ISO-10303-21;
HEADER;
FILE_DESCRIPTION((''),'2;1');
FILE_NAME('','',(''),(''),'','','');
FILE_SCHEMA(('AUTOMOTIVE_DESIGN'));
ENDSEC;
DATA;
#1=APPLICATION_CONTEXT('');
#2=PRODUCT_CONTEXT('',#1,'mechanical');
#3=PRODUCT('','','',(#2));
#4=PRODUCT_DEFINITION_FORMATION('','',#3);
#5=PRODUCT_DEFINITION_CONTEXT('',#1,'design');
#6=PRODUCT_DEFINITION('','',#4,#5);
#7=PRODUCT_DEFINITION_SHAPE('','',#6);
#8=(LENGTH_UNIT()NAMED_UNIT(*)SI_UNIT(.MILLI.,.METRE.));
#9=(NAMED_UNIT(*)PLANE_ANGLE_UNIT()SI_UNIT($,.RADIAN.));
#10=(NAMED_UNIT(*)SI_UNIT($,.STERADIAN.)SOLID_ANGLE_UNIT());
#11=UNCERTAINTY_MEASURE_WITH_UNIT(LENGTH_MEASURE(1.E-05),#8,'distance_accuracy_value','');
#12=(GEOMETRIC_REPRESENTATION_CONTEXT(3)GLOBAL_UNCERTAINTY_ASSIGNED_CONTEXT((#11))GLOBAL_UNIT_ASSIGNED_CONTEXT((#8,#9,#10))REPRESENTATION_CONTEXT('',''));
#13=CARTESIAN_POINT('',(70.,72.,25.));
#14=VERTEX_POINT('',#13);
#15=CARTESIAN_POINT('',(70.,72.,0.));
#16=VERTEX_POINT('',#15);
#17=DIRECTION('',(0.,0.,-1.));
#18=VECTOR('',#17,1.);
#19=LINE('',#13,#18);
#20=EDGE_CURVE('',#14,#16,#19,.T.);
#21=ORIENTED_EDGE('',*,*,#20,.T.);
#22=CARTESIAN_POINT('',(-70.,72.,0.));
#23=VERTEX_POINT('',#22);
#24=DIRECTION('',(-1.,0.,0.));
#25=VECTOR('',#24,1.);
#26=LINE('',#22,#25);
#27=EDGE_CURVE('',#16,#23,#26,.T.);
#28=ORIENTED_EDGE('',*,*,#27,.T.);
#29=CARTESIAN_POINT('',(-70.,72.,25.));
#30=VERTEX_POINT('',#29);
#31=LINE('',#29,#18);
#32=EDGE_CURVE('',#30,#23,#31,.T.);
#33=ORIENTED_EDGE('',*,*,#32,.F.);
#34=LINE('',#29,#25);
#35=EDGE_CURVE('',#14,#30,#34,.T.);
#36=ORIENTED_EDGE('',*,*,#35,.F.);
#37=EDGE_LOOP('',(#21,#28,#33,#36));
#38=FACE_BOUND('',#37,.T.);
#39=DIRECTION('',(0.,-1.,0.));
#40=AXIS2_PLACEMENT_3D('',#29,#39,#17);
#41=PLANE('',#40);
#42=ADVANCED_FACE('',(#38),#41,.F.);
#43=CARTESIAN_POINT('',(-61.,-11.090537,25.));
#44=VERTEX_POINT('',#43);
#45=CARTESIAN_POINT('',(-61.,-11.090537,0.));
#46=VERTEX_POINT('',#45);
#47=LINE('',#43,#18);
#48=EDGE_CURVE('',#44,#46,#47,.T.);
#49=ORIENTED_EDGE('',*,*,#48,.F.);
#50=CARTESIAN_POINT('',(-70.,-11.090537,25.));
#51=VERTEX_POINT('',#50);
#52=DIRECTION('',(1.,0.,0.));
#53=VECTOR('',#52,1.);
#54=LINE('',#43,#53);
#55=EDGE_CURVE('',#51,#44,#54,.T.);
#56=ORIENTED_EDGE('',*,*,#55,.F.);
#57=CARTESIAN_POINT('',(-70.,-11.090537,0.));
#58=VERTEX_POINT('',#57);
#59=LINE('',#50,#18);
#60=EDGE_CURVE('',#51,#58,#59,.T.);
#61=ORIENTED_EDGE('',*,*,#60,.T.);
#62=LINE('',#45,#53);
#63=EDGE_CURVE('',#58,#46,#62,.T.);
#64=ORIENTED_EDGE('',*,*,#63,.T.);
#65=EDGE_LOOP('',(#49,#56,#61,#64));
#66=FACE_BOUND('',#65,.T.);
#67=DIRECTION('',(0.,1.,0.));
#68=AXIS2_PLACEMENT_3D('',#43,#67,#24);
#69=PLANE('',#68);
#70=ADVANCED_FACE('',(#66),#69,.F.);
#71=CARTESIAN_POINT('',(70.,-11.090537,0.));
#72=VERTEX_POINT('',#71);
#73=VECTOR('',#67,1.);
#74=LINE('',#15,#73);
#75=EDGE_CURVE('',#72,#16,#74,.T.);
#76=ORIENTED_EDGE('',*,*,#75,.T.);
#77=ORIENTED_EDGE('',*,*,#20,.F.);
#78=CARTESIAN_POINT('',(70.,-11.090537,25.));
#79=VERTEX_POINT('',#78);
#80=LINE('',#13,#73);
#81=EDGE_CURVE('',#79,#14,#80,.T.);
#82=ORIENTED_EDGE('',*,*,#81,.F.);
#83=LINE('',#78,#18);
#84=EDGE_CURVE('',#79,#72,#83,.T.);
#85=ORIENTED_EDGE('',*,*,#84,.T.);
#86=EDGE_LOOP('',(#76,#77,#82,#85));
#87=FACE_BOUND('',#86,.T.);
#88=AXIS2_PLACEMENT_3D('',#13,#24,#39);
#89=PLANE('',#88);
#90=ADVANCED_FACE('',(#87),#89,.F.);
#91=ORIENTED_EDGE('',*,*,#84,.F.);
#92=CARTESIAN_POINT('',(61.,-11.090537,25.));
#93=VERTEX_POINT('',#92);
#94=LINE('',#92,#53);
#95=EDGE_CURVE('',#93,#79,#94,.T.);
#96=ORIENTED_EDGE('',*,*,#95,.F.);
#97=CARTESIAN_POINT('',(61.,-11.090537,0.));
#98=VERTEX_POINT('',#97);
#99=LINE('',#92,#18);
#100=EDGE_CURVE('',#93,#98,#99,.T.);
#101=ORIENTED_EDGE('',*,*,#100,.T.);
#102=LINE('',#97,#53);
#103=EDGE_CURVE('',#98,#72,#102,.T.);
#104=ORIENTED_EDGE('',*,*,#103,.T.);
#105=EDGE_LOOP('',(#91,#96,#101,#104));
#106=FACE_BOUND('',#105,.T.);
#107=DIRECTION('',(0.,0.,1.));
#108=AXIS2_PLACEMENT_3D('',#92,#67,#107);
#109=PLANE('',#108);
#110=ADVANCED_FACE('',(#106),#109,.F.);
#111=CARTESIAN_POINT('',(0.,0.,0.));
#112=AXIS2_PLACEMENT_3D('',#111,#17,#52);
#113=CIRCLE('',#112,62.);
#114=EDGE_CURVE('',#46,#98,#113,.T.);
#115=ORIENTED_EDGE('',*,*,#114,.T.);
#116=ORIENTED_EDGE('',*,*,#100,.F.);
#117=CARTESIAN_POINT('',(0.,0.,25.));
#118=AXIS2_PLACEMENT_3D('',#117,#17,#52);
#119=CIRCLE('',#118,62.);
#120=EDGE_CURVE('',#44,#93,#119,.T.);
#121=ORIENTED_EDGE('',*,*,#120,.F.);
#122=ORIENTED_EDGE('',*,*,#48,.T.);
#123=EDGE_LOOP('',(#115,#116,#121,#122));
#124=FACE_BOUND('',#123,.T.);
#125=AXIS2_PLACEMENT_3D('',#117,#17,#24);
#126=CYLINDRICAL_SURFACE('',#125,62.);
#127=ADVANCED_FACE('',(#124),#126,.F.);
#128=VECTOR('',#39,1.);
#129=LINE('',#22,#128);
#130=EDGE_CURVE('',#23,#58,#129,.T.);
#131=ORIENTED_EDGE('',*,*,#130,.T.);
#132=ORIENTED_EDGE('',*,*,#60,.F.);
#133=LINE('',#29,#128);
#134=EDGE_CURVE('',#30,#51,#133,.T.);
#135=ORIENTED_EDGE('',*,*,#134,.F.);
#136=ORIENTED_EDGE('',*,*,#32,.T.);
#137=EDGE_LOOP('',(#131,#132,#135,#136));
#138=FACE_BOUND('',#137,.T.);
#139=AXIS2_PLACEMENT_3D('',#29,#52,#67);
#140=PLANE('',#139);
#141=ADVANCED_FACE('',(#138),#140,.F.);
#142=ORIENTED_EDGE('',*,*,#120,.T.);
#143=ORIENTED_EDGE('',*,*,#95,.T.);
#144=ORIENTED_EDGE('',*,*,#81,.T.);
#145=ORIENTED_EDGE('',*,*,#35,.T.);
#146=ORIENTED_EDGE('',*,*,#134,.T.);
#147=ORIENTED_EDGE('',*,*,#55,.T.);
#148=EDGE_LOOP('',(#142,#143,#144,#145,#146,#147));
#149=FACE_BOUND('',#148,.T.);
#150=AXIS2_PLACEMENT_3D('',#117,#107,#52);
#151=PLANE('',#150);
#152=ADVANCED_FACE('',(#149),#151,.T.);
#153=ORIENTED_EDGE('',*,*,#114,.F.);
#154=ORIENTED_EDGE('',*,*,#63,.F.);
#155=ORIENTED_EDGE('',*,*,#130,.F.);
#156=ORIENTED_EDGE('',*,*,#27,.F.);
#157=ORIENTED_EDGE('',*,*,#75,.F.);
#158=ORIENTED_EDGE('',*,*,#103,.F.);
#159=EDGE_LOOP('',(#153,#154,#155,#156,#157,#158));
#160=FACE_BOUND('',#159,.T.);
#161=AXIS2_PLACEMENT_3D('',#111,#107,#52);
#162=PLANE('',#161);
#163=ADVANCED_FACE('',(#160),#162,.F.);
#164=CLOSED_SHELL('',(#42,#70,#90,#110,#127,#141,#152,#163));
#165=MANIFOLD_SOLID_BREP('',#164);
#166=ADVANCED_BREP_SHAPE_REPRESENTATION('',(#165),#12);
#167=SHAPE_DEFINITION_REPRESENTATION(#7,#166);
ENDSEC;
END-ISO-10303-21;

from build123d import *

# Parameters (mm, degrees)
BOSS_EXTRUDE1_DEPTH = 25


with BuildPart() as part:
    # Sketch1 → Boss-Extrude1 (new body)
    with BuildSketch(Plane.XY):
        with BuildLine():
            Line((-70, 72), (-70, -11.090536506))
            Line((-70, -11.090536506), (-61, -11.090536506))
            ThreePointArc((-61, -11.090536506), (0, 62), (61, -11.090536506))
            Line((61, -11.090536506), (70, -11.090536506))
            Line((70, -11.090536506), (70, 72))
            Line((70, 72), (-70, 72))
        make_face()
    extrude(amount=BOSS_EXTRUDE1_DEPTH)


solid = part.part
